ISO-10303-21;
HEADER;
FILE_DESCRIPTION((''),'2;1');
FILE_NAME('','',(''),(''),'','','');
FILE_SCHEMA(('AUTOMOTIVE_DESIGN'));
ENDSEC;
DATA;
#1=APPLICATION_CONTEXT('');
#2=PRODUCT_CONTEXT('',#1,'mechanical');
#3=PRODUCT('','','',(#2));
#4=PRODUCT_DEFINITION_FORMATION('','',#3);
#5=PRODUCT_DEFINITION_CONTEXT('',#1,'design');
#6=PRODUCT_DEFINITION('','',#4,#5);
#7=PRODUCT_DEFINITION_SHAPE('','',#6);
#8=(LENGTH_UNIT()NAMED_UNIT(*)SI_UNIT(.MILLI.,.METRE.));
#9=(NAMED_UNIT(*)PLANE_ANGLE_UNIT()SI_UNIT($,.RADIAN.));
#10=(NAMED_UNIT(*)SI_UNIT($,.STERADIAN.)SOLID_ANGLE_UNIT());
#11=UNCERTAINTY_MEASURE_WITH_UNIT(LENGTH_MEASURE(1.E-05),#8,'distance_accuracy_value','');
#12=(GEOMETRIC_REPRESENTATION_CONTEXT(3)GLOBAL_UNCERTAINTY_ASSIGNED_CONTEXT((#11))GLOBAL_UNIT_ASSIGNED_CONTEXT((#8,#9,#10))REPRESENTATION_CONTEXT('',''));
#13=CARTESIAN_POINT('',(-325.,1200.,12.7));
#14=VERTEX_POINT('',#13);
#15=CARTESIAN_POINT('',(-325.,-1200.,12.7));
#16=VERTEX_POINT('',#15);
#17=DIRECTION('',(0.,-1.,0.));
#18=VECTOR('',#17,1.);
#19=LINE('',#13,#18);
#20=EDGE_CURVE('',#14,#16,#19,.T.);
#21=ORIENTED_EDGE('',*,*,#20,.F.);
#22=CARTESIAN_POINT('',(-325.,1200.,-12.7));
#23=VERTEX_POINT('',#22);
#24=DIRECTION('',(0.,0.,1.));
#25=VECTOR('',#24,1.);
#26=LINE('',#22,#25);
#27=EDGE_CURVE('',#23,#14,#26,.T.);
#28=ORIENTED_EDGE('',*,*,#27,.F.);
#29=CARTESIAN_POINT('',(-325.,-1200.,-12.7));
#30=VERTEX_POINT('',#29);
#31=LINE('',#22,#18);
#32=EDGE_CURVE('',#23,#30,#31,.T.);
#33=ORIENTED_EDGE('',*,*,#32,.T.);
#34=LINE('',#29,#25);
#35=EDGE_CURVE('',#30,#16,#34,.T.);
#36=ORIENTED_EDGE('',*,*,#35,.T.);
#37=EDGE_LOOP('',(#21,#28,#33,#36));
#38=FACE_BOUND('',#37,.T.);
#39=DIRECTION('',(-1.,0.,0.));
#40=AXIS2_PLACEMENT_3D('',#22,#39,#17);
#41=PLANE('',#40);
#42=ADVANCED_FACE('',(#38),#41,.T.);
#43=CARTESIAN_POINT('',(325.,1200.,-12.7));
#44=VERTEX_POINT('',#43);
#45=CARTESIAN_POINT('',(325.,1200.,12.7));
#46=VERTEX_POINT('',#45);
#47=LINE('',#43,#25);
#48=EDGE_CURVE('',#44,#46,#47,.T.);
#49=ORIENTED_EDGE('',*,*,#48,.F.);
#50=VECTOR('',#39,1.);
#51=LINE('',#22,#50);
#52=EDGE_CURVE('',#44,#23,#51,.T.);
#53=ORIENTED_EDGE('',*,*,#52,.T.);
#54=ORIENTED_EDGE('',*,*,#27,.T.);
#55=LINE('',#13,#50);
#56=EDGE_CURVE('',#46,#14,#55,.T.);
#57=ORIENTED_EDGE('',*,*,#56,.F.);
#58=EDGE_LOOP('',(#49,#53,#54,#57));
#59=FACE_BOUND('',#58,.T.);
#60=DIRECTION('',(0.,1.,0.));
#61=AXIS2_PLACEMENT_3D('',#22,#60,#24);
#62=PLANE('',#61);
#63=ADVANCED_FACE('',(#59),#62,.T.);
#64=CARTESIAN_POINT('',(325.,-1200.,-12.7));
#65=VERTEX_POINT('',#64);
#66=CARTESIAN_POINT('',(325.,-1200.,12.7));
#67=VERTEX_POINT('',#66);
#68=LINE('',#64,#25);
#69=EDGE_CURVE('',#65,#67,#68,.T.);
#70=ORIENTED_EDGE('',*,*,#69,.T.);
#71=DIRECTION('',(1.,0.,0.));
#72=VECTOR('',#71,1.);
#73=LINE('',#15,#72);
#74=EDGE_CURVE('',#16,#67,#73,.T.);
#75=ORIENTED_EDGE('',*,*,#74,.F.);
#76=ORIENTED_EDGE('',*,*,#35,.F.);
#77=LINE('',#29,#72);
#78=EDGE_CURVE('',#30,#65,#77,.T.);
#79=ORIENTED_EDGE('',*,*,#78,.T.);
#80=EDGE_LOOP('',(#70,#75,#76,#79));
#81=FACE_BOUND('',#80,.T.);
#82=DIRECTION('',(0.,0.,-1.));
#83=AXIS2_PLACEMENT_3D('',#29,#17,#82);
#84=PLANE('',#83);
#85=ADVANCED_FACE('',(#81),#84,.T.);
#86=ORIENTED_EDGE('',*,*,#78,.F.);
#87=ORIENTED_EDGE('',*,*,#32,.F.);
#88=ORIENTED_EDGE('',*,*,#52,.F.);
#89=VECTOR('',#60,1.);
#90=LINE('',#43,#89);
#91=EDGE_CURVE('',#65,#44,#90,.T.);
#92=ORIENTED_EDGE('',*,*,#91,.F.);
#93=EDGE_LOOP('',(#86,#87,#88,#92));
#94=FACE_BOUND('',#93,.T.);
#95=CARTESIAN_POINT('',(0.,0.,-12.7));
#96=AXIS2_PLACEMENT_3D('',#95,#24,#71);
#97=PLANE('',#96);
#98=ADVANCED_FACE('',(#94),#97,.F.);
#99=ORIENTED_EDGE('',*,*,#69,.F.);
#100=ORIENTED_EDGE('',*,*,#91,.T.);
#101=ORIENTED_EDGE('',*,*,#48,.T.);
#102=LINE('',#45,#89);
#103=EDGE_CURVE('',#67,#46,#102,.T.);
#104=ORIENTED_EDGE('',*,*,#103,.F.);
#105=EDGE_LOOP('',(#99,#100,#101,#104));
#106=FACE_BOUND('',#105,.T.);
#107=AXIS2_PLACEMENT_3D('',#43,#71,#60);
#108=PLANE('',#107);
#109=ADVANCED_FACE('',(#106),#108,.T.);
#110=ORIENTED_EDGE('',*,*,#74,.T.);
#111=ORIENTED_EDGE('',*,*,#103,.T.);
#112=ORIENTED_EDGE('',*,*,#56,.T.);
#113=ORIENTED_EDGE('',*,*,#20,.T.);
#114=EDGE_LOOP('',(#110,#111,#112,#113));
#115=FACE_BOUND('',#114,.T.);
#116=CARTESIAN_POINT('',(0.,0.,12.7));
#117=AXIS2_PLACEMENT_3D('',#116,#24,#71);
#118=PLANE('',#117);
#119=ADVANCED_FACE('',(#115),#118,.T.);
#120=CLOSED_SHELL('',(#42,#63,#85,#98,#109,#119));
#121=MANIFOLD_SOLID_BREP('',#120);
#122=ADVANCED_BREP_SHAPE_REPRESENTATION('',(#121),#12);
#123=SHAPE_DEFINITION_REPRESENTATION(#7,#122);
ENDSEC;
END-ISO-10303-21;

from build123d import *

# Parameters (mm, degrees)
BOSS_EXTRUDE1_DEPTH      = 12.7
BOSS_EXTRUDE1_DEPTH_BACK = 12.7
SKETCH1_W                = 650
SKETCH1_H                = 2400


with BuildPart() as part:
    # Sketch1 → Boss-Extrude1 (new, two sides: drawn at the far end of the back side and taken through both)
    with BuildSketch(Plane.XY.offset(-BOSS_EXTRUDE1_DEPTH_BACK)):
        Rectangle(SKETCH1_W, SKETCH1_H)
    extrude(amount=BOSS_EXTRUDE1_DEPTH + BOSS_EXTRUDE1_DEPTH_BACK)


solid = part.part
